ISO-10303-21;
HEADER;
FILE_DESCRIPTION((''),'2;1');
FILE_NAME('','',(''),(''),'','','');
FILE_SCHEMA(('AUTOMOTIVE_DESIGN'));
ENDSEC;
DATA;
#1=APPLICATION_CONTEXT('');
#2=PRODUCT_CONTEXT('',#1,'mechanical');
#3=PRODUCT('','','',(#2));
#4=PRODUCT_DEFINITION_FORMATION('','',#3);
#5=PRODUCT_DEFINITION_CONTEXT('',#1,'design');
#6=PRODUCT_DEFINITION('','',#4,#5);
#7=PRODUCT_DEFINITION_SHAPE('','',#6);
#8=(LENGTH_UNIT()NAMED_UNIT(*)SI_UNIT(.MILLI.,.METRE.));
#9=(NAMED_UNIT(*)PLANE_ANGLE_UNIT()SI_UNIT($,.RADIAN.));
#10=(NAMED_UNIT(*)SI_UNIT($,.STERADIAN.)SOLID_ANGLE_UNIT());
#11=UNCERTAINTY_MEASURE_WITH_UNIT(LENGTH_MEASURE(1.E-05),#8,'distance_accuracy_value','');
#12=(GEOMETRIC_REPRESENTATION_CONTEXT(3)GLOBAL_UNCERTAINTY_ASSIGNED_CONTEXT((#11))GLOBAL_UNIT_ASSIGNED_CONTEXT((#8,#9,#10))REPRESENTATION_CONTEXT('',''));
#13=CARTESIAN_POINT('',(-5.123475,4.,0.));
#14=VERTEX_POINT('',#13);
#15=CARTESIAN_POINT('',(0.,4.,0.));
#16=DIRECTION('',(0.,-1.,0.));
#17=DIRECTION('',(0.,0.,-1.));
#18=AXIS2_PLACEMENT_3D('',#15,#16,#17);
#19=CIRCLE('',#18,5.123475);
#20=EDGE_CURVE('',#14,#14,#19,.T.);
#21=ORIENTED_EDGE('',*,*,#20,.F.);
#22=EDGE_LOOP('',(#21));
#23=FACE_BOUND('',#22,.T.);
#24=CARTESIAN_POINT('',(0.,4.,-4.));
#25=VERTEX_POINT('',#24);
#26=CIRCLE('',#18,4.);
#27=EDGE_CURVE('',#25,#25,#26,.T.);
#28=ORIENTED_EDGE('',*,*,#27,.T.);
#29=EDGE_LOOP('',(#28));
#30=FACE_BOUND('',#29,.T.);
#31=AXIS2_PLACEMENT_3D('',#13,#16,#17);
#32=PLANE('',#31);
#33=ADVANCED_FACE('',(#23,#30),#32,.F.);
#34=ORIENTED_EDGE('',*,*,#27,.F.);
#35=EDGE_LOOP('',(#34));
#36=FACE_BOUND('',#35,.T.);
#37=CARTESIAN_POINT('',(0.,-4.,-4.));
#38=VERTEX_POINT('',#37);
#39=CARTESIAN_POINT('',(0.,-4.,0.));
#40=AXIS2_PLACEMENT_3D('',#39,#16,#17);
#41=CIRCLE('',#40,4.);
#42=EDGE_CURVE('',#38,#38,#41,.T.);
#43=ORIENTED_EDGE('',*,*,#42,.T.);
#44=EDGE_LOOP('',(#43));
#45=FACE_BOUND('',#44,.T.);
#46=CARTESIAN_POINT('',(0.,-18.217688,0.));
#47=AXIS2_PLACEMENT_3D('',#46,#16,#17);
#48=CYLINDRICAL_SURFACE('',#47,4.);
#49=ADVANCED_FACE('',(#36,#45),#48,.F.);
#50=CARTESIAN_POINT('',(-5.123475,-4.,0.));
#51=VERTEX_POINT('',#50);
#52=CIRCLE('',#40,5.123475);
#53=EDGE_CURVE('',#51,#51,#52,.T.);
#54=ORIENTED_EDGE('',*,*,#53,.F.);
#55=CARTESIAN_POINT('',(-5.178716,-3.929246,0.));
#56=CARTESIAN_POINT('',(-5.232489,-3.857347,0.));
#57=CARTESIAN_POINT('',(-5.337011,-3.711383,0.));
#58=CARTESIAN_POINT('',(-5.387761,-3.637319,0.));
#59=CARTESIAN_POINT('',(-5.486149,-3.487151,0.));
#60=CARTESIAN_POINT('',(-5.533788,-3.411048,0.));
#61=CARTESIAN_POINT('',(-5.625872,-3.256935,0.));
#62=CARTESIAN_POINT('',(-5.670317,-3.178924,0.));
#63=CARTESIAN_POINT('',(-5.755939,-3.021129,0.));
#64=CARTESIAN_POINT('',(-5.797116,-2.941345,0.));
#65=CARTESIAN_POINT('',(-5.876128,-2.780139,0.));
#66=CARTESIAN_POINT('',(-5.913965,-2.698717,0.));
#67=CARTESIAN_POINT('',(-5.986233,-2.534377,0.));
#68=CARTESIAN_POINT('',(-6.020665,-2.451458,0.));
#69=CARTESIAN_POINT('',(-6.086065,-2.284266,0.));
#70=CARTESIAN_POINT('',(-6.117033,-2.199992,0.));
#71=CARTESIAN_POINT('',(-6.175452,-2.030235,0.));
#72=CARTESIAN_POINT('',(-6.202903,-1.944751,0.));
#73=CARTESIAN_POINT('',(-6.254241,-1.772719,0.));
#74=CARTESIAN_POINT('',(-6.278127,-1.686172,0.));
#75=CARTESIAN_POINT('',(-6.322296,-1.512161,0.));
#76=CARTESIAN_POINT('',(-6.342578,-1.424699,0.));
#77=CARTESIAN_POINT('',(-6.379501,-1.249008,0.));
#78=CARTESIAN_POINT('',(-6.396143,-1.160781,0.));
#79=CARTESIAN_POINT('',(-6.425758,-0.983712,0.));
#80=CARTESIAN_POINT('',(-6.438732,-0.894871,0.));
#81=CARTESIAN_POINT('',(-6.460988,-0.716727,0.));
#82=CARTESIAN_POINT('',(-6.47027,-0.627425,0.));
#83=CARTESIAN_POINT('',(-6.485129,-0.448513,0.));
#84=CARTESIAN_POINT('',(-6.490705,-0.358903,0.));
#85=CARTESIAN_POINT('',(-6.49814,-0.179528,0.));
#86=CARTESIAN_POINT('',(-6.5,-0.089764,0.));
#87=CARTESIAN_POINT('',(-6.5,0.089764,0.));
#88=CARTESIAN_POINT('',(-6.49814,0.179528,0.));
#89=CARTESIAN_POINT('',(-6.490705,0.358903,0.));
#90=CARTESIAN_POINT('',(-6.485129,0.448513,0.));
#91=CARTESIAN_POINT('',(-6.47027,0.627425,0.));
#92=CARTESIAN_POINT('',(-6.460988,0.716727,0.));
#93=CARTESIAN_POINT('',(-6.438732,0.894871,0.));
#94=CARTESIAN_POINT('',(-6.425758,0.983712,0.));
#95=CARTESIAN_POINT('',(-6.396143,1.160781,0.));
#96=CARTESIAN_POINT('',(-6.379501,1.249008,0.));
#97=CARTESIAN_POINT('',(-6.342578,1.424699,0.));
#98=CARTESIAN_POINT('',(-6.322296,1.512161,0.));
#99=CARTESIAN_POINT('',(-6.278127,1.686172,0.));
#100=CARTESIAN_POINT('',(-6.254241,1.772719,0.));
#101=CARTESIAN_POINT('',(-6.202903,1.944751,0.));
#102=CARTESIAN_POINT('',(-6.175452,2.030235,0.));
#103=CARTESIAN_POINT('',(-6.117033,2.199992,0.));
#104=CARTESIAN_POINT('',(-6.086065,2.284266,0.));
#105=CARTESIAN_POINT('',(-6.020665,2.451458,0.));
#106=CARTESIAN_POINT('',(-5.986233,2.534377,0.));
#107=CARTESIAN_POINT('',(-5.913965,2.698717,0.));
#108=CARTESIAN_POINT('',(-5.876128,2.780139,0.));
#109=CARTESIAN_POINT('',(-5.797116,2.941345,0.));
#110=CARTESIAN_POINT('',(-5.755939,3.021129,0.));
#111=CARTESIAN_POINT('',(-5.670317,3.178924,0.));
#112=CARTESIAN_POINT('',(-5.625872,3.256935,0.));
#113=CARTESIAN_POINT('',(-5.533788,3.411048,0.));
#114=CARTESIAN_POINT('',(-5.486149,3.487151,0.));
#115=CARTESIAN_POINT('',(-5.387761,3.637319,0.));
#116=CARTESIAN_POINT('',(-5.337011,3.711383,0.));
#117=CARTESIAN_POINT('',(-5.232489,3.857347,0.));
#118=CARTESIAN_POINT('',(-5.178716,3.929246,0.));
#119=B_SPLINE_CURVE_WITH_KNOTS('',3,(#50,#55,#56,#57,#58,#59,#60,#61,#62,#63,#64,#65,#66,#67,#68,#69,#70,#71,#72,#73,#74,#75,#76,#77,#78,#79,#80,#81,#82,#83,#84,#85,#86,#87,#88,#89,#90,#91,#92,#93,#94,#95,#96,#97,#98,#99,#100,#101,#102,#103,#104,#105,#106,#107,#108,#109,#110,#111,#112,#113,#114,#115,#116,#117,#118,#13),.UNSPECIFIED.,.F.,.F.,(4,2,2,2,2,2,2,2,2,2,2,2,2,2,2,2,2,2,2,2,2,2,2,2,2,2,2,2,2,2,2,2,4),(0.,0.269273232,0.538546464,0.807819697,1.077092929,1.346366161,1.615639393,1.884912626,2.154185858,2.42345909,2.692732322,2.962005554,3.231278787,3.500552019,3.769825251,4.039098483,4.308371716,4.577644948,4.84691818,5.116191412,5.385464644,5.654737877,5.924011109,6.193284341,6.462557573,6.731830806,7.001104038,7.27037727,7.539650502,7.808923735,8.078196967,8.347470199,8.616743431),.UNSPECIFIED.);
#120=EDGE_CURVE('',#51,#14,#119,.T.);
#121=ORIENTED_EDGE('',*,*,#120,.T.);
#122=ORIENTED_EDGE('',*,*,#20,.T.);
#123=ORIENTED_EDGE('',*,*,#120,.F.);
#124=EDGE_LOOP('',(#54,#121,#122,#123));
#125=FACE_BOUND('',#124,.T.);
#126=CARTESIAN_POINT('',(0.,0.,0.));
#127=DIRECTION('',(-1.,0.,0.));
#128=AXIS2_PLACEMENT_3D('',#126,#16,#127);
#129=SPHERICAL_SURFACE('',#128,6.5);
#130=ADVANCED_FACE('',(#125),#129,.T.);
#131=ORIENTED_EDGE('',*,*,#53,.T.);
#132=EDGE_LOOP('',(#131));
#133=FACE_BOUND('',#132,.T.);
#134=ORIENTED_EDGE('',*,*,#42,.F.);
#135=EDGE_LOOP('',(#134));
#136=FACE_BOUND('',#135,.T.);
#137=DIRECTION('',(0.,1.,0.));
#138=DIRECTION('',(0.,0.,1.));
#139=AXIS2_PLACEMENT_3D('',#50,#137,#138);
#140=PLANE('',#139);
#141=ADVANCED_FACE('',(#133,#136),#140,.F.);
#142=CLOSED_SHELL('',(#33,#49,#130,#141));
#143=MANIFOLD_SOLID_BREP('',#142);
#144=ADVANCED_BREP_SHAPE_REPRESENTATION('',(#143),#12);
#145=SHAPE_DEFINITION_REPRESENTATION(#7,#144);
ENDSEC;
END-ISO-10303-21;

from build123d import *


with BuildPart() as part:
    # Sketch1 → Revolve1 (revolve)
    with BuildSketch(Plane.XY):
        with BuildLine():
            Line((-4, 4), (-4, -4))
            Line((-4, -4), (-5.123475383, -4))
            ThreePointArc((-5.123475383, -4), (-6.5, 0), (-5.123475383, 4))
            Line((-5.123475383, 4), (-4, 4))
        make_face()
    revolve(axis=Axis((0, -18.217687604, 0), (0, 1, 0)))


solid = part.part
